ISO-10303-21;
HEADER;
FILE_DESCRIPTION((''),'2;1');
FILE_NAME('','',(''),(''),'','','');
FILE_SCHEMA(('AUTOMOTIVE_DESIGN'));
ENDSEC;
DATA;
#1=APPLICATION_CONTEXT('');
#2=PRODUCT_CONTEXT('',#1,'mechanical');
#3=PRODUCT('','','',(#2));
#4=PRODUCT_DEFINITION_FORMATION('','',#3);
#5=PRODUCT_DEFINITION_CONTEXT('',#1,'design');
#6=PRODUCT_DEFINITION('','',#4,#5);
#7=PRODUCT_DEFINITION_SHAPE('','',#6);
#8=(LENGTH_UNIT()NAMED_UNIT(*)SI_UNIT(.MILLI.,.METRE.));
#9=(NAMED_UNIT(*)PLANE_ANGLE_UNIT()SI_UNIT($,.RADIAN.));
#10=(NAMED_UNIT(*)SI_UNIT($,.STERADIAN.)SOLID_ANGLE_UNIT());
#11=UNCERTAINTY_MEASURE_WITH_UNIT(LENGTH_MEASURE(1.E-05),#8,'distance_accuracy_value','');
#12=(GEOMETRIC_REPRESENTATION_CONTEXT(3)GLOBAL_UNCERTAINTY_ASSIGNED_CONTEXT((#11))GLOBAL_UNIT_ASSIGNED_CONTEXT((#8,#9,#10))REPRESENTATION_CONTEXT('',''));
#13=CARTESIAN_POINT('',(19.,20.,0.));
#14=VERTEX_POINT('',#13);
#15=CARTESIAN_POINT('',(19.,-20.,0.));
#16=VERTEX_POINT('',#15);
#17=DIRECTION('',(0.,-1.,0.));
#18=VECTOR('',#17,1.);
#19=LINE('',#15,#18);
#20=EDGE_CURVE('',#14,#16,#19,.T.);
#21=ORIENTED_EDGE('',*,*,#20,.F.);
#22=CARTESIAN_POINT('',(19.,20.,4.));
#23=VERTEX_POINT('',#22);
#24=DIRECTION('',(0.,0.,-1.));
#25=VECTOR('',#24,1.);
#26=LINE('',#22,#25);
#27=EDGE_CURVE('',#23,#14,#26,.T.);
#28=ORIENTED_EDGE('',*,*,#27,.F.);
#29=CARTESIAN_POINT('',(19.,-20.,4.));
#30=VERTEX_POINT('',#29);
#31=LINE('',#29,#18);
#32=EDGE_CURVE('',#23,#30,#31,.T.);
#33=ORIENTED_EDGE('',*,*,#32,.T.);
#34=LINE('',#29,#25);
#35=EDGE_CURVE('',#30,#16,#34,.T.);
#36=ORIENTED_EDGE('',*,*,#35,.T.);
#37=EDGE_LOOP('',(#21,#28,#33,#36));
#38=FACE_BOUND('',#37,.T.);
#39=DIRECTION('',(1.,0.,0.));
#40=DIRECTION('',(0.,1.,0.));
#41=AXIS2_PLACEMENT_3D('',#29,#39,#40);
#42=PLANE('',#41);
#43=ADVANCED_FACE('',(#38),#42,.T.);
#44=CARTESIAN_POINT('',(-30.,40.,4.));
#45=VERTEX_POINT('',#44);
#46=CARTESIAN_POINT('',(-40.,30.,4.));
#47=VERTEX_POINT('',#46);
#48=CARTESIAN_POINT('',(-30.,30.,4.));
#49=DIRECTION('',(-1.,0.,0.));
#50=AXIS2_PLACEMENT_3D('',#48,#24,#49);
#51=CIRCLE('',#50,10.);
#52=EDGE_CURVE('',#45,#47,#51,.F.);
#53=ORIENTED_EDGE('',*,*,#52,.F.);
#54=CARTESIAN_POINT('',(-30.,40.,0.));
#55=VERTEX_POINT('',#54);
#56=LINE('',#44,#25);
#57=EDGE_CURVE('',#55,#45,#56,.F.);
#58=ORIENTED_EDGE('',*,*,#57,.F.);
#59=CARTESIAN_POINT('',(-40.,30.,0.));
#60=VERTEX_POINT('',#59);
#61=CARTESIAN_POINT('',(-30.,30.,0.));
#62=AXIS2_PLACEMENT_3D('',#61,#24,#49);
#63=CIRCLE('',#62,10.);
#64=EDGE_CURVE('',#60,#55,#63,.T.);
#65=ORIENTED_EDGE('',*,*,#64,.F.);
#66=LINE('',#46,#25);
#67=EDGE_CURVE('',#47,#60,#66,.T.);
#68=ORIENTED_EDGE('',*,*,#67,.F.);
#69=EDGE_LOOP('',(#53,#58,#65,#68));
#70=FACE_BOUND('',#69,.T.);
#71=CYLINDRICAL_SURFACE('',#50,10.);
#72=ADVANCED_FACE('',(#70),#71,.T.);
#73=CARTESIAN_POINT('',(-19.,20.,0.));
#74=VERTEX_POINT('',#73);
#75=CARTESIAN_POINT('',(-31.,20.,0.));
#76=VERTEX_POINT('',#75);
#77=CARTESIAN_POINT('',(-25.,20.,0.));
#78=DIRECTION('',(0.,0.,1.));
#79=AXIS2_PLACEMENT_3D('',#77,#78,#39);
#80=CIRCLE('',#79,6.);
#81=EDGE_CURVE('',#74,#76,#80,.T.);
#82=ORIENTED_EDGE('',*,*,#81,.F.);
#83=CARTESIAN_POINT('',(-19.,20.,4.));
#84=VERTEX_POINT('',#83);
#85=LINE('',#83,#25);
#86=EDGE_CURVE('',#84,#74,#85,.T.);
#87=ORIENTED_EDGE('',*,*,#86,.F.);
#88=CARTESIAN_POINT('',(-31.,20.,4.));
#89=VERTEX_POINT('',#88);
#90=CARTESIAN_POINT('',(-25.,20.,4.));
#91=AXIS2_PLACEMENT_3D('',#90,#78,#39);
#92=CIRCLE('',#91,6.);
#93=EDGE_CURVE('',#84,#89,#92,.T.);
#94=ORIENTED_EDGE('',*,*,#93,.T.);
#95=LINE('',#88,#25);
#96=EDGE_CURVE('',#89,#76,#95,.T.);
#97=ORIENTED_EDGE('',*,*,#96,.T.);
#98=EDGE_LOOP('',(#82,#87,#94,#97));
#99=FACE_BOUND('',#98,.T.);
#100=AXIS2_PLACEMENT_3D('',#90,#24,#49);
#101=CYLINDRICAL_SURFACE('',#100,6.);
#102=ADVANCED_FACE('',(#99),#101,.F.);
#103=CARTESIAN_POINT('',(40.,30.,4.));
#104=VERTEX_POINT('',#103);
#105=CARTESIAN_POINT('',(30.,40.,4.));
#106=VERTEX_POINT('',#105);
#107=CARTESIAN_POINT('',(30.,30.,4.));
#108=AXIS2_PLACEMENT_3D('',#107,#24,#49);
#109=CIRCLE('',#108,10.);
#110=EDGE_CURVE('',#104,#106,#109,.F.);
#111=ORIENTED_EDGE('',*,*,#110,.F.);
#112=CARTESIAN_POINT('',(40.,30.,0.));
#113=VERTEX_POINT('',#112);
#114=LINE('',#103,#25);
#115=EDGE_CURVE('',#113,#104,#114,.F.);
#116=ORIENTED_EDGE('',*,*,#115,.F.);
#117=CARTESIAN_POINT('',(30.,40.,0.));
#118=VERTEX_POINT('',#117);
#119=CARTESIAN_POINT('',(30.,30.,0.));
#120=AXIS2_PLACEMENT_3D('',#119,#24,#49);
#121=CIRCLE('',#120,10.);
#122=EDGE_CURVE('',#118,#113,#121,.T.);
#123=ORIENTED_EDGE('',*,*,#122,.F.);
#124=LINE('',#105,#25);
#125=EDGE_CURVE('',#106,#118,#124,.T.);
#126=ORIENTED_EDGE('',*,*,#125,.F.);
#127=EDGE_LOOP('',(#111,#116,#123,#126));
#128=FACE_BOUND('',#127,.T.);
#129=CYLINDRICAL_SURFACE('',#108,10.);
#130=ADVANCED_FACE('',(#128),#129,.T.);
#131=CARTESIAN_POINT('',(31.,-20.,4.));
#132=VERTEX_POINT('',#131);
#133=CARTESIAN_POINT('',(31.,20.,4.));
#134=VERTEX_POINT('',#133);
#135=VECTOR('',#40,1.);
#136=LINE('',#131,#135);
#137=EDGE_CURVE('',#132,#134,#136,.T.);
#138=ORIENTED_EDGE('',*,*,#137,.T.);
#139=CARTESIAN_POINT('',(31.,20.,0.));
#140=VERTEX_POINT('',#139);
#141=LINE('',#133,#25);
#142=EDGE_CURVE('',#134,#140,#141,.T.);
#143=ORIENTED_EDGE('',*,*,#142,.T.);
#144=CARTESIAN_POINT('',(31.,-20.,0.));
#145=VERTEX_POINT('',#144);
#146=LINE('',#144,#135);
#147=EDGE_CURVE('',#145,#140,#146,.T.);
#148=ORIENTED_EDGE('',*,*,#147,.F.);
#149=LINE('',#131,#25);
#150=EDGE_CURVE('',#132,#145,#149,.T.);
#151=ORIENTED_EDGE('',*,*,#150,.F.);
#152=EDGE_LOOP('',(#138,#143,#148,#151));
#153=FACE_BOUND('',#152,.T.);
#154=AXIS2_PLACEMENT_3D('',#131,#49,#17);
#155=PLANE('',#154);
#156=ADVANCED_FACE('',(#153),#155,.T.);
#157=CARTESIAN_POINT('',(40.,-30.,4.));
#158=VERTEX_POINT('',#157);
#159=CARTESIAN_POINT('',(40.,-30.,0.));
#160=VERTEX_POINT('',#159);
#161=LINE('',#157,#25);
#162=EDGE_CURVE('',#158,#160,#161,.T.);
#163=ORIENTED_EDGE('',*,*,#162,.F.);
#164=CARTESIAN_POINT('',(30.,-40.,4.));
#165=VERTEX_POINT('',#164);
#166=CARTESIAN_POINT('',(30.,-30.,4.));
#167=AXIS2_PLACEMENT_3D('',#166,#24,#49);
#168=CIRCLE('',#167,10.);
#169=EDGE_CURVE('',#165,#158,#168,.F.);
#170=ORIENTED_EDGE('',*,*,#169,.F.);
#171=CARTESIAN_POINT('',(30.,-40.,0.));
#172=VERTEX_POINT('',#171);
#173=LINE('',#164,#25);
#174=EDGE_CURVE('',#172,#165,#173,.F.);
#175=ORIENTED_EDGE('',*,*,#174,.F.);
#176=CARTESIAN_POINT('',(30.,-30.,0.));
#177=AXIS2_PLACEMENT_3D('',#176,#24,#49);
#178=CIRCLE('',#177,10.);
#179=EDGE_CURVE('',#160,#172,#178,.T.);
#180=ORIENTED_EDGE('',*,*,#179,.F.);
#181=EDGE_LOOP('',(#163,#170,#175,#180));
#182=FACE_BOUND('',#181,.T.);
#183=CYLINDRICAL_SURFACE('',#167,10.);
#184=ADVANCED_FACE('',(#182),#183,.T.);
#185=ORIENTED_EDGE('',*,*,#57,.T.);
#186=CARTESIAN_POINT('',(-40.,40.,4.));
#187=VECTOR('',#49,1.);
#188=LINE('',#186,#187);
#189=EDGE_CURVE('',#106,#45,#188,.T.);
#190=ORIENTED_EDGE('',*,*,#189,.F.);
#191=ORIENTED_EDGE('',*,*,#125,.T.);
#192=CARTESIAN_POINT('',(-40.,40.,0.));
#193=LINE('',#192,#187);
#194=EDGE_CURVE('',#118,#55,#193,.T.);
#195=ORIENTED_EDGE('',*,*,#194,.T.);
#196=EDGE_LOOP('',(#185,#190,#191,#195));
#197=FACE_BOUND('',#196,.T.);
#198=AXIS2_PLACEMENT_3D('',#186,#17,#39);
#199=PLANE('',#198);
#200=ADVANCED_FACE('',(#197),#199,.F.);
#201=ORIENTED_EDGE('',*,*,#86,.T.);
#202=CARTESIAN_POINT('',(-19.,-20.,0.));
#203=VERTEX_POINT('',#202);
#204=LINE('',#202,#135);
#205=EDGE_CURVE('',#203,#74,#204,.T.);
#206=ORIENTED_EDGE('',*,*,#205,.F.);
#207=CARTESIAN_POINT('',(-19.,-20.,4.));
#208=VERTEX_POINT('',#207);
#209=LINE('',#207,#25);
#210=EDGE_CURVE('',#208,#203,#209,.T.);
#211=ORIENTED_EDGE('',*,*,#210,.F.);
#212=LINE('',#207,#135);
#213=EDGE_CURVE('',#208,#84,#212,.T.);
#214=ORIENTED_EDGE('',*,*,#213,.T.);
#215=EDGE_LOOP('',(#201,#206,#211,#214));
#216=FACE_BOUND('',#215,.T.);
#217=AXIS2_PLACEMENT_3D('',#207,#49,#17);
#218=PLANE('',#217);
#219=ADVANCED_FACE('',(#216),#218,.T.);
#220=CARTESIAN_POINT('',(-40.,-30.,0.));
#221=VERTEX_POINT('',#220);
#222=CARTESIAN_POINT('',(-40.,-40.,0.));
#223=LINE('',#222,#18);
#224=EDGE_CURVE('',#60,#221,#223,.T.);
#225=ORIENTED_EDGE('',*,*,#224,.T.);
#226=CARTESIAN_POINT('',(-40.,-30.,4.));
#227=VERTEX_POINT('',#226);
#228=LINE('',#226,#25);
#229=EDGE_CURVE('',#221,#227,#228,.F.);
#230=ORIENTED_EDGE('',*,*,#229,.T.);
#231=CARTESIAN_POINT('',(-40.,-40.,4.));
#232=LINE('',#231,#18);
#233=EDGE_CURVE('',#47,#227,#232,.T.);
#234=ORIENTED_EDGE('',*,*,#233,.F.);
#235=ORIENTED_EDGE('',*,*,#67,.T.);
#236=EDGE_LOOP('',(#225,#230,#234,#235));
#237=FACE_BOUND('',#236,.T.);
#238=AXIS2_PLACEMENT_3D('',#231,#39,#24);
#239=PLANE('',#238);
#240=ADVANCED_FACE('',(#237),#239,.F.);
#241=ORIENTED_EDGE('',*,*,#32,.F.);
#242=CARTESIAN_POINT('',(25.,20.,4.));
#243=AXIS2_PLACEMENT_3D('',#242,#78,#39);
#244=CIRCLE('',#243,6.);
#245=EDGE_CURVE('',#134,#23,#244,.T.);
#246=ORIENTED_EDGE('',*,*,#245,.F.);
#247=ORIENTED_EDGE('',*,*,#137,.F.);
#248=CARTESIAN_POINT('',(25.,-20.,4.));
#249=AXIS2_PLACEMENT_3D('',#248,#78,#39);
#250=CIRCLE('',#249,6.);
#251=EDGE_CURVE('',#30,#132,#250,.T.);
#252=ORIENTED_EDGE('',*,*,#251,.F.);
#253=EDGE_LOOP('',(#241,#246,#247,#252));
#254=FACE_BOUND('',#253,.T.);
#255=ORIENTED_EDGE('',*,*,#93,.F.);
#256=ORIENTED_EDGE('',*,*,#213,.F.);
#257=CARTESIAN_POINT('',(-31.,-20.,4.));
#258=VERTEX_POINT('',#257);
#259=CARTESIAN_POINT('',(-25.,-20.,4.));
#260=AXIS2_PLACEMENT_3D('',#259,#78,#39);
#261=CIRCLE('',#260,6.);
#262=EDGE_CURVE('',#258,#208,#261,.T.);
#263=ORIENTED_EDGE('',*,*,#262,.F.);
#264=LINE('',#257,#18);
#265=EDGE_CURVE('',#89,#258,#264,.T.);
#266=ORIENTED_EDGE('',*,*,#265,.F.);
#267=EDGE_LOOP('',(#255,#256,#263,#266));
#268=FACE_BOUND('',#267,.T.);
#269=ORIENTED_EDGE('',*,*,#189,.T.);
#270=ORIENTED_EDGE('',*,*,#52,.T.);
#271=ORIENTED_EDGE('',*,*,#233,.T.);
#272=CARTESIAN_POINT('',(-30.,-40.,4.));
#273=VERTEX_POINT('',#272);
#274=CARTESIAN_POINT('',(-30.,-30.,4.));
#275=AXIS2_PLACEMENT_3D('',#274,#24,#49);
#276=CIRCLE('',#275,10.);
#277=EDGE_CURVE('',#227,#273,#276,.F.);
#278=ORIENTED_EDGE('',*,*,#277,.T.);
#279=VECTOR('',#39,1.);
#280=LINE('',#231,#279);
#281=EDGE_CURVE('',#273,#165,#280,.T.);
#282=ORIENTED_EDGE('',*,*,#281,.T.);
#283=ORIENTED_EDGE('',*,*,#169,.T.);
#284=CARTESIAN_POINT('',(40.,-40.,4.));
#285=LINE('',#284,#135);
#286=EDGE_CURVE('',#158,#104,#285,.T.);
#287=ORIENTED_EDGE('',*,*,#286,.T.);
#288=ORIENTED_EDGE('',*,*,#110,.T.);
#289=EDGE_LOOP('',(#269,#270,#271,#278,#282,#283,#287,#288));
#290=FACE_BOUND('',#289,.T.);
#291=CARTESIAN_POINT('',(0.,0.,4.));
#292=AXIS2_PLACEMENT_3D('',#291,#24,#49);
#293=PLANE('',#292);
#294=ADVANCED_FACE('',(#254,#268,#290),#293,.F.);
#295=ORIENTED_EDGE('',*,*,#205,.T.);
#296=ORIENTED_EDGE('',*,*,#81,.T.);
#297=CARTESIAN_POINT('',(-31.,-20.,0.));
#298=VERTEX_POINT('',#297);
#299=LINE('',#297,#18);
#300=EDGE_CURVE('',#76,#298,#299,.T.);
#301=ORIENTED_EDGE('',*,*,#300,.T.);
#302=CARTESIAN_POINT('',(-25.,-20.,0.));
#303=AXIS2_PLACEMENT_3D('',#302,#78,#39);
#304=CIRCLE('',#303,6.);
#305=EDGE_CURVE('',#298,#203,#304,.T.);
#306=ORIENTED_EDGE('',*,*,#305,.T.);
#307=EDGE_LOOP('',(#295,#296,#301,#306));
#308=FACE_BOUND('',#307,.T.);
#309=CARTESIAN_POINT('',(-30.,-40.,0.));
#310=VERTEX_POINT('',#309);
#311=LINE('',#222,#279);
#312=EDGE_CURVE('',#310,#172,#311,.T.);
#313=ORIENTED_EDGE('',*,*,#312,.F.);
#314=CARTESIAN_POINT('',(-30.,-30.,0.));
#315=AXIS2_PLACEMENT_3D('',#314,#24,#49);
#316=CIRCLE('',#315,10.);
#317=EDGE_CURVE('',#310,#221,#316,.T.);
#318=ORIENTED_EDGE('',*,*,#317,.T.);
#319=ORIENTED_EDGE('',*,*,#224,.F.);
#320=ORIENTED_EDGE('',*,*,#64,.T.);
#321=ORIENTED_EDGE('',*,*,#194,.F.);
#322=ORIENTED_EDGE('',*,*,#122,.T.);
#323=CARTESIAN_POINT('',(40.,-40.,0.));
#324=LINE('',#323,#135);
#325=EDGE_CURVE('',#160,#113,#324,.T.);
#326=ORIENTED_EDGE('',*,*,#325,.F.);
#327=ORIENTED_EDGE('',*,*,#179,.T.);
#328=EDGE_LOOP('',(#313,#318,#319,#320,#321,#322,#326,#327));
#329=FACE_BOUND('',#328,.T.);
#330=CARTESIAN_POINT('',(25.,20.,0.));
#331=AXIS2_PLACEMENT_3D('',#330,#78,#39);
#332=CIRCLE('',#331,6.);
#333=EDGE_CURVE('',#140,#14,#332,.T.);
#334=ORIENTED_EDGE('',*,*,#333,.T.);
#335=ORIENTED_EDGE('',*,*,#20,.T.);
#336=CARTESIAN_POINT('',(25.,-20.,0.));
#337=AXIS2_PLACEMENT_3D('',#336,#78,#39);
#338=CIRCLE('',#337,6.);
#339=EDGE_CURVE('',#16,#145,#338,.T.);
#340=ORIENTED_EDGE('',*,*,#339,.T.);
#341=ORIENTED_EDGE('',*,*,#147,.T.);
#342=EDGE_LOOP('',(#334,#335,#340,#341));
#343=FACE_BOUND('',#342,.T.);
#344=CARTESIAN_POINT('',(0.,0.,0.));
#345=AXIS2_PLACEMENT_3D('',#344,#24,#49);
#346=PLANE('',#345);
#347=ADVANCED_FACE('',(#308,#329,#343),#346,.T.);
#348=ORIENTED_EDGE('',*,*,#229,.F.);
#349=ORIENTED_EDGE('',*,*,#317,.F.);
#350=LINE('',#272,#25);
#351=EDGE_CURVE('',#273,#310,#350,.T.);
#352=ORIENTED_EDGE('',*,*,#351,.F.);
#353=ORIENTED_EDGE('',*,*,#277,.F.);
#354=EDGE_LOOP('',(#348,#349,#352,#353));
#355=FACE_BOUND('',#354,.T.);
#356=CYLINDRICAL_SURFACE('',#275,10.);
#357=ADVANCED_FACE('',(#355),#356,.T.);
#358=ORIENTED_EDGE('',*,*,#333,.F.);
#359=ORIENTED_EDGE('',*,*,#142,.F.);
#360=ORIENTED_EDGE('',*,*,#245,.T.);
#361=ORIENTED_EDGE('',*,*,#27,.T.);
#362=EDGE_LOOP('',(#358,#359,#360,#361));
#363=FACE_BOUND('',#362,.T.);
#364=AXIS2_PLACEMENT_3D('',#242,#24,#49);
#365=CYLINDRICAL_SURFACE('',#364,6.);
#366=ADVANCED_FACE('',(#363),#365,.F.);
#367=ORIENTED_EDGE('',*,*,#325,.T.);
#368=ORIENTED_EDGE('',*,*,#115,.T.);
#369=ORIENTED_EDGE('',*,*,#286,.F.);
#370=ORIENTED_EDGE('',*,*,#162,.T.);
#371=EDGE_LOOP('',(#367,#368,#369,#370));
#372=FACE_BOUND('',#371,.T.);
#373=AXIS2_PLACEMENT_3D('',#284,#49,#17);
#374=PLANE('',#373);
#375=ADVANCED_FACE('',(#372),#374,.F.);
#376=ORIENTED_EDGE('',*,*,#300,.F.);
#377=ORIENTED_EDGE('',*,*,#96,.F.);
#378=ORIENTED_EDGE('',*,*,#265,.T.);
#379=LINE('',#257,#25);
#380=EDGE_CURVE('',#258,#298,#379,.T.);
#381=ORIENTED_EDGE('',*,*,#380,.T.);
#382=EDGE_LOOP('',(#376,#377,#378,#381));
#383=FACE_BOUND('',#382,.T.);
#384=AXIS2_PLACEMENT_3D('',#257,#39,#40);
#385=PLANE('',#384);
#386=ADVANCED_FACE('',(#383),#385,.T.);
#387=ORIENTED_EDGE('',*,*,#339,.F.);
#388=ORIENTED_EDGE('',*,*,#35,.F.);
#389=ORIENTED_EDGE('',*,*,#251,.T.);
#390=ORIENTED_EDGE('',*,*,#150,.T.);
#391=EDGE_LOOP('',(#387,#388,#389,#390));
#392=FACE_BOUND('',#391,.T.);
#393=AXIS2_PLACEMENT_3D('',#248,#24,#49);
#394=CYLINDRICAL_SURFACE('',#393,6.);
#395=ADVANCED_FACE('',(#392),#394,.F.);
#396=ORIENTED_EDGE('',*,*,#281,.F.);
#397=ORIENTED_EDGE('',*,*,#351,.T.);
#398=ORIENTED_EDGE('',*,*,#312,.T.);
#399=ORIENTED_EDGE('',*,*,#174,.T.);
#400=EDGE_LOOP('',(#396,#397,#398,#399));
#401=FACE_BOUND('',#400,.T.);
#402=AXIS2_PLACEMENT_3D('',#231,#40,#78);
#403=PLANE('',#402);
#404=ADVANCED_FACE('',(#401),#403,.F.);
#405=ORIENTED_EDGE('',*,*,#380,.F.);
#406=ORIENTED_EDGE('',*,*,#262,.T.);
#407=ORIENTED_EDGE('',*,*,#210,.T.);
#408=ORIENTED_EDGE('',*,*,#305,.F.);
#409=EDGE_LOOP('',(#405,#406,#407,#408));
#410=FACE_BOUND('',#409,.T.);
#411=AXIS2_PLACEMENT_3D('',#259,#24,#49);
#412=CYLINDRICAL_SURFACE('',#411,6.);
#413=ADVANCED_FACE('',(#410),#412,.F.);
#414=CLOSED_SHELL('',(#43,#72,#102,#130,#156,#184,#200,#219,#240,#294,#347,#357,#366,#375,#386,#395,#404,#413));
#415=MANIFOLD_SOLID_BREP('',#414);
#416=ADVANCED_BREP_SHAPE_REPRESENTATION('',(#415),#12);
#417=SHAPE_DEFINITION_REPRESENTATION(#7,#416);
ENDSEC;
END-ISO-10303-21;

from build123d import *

# Parameters (mm, degrees)
SKETCH_1_W      = 80
SKETCH_1_H      = 80
EXTRUDE_1_DEPTH = 4
FILLET_1_R      = 10


with BuildPart() as part:
    # Эскиз1 → Бобышка-Вытянуть1 (new body)
    with BuildSketch(Plane.XY):
        Rectangle(SKETCH_1_W, SKETCH_1_H)
        with BuildLine():
            Line((19, -20), (19, 20))
            ThreePointArc((19, 20), (25, 26), (31, 20))
            Line((31, 20), (31, -20))
            ThreePointArc((31, -20), (25, -26), (19, -20))
        make_face(mode=Mode.SUBTRACT)
        with BuildLine():
            Line((-31, -20), (-31, 20))
            ThreePointArc((-31, 20), (-25, 26), (-19, 20))
            Line((-19, 20), (-19, -20))
            ThreePointArc((-19, -20), (-25, -26), (-31, -20))
        make_face(mode=Mode.SUBTRACT)
    extrude(amount=EXTRUDE_1_DEPTH)

    # Скругление1
    fillet_1_edges = [part.edges().sort_by_distance(p)[0] for p in [
        (40, -40, 2),
        (-40, -40, 2),
        (-40, 40, 2),
        (40, 40, 2),
    ]]
    fillet(fillet_1_edges, radius=FILLET_1_R)


solid = part.part
